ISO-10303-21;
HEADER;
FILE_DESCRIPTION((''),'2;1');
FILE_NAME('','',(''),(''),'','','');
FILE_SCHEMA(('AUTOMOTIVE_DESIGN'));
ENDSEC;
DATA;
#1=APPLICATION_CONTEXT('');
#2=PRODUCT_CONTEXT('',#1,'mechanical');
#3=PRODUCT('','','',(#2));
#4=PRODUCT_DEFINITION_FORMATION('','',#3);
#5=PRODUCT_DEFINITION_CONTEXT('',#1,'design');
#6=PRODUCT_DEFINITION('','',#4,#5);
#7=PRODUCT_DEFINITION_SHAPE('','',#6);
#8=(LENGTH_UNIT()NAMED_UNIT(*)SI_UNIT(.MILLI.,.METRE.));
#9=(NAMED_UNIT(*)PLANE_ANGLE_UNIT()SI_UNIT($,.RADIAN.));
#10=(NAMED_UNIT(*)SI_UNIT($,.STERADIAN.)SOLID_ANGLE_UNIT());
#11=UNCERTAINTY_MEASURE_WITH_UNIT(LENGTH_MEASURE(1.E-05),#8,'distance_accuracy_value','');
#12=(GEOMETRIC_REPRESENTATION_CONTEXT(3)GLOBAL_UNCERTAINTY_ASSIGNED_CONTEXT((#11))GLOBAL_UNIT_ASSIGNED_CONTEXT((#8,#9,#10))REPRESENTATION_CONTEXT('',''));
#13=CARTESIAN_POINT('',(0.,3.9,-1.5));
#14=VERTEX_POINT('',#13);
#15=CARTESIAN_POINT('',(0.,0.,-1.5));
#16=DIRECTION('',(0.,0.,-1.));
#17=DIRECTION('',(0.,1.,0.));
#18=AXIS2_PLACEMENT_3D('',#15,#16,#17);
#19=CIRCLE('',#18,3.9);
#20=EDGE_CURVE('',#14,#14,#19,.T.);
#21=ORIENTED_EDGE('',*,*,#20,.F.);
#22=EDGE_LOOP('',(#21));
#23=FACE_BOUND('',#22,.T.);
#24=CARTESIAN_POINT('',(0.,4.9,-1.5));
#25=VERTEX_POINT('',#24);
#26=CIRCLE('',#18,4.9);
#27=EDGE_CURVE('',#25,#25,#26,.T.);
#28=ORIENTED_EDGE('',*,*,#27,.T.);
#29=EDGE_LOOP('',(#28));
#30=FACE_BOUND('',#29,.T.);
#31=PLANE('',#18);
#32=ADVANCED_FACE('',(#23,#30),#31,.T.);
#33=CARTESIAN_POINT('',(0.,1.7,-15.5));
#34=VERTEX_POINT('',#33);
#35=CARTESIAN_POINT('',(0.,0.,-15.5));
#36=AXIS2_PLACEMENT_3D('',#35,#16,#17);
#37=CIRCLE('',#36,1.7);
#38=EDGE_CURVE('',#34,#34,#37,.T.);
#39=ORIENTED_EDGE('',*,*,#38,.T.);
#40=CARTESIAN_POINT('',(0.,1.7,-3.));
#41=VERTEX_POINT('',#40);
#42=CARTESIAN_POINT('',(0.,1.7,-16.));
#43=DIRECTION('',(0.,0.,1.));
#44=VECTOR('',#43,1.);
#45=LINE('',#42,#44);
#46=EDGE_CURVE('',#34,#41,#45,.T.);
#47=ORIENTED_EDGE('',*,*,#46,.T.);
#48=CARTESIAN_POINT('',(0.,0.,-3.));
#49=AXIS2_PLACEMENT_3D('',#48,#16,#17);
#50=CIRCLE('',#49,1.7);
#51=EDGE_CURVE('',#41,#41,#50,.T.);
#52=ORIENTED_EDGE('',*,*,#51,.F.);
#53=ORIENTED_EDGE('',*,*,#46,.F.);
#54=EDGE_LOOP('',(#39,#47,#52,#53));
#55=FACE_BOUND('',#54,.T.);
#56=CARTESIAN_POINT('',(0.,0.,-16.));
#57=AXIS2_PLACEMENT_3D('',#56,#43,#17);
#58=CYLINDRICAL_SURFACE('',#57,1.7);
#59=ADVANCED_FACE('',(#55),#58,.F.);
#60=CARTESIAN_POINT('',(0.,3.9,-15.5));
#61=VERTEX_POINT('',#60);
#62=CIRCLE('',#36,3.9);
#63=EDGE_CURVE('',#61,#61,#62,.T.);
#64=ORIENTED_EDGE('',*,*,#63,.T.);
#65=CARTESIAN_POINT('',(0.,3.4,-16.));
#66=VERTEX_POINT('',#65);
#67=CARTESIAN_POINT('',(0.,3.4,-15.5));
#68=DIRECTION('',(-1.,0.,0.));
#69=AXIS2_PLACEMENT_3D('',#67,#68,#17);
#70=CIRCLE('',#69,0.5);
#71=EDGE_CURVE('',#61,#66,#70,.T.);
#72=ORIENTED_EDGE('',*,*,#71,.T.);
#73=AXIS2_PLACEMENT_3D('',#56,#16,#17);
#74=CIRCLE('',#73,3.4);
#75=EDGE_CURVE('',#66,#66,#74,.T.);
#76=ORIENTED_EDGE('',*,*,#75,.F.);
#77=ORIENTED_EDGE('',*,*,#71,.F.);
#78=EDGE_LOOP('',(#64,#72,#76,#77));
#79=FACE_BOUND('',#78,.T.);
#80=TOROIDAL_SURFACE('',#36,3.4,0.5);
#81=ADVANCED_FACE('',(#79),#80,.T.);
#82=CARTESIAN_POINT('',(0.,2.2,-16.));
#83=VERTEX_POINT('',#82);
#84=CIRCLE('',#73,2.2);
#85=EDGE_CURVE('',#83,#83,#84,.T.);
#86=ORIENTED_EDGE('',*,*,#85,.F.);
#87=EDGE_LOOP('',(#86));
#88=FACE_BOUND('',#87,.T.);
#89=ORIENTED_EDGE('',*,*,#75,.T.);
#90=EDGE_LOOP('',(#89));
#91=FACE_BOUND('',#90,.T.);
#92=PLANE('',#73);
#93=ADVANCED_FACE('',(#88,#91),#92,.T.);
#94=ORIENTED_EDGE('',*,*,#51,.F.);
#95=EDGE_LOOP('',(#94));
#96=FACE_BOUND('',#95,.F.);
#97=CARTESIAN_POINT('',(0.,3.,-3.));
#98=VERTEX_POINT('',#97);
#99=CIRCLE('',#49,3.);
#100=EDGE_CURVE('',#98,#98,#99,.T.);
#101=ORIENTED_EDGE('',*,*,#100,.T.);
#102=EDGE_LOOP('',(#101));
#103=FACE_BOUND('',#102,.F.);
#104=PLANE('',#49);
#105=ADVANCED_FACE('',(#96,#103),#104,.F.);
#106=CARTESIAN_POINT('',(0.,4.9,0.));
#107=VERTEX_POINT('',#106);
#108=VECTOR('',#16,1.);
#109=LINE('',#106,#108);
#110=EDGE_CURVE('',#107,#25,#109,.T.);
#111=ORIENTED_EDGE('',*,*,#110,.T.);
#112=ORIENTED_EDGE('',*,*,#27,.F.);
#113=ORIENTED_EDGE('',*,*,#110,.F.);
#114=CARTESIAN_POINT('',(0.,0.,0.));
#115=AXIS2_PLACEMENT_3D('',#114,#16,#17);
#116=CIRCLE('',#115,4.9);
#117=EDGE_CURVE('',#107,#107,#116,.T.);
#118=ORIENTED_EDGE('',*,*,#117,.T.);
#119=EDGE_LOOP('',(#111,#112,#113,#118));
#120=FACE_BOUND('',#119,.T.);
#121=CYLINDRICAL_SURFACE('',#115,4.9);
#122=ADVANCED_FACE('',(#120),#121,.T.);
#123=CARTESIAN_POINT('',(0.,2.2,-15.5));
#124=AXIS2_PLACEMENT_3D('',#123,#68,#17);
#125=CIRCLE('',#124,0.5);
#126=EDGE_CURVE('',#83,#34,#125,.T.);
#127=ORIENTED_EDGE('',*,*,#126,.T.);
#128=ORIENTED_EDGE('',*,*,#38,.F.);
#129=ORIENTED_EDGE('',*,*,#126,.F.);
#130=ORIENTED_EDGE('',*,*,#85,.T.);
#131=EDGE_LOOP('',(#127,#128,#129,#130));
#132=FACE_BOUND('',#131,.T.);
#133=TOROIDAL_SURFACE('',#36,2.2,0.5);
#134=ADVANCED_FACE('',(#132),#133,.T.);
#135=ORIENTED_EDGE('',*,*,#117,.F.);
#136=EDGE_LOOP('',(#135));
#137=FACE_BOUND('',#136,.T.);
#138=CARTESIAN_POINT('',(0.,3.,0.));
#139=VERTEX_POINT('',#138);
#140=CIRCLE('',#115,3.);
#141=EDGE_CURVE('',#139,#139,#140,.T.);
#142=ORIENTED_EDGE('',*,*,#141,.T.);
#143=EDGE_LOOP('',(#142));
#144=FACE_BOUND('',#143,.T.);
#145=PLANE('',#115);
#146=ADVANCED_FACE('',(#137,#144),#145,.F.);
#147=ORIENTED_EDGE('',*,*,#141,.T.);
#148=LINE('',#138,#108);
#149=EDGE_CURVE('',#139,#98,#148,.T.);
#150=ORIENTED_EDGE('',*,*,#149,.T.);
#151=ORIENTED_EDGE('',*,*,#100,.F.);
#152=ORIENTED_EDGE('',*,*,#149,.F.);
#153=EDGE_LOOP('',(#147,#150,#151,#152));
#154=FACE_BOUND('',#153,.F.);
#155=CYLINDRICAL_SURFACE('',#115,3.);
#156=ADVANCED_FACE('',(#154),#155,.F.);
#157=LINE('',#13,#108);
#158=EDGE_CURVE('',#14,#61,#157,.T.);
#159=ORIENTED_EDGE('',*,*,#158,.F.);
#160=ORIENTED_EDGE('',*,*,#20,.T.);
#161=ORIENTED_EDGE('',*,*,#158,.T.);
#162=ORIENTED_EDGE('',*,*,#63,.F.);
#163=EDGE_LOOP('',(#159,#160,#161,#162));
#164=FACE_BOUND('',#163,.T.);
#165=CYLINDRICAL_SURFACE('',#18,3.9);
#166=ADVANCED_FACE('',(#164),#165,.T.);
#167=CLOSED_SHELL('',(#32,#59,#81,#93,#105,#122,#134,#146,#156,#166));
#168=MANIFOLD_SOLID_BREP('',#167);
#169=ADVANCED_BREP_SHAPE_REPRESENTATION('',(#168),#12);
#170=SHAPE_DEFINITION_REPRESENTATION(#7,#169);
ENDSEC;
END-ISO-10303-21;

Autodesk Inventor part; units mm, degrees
ref_plane "YZ Plane" through (0, 0, 0) normal (1, 0, 0) x (0, 1, 0)
ref_plane "XZ Plane" through (0, 0, 0) normal (0, 1, 0) x (-1, 0, 0)
ref_plane "XY Plane" through (0, 0, 0) normal (0, 0, 1) x (1, 0, 0)
sketch "Sketch1" plane through (0, 0, 0) normal (1, 0, 0) x (0, 1, 0)
  line L0 (0, 0) -> (1.65, 0) construction
  line L1 (1.65, 0) -> (3, 0) construction
  line L2 (4.9, 0) -> (4.9, -1.5)
  line L3 (4.9, -1.5) -> (3.9, -1.5)
  line L4 (3.9, -1.5) -> (3.9, -16)
  line L5 (3.9, -16) -> (1.7, -16)
  line L6 (1.7, -16) -> (1.7, -3)
  line L7 (0, 0) -> (0, -13.7466) construction
  line L8 (3, 0) -> (3, -3)
  line L9 (3, -3) -> (1.7, -3)
  line L10 (3, 0) -> (4.9, 0)
  dimension "d0" = 1.7
  dimension "d1" = 3.9
  dimension "d2" = 1
  dimension "d3" = 1.5
  dimension "d4" = 14.5
  dimension "d6" = 3
  dimension "d7" = 3
revolve "Revolution1" add sketch "Sketch1" angle 360 about axis through (0, 0, 0) along (0, 0, -1)
fillet "Fillet1" radius 0.5 2 edges at (0, -1.7, -16) (0, -3.9, -16)
properties part number "HD_BearingShaft2"
